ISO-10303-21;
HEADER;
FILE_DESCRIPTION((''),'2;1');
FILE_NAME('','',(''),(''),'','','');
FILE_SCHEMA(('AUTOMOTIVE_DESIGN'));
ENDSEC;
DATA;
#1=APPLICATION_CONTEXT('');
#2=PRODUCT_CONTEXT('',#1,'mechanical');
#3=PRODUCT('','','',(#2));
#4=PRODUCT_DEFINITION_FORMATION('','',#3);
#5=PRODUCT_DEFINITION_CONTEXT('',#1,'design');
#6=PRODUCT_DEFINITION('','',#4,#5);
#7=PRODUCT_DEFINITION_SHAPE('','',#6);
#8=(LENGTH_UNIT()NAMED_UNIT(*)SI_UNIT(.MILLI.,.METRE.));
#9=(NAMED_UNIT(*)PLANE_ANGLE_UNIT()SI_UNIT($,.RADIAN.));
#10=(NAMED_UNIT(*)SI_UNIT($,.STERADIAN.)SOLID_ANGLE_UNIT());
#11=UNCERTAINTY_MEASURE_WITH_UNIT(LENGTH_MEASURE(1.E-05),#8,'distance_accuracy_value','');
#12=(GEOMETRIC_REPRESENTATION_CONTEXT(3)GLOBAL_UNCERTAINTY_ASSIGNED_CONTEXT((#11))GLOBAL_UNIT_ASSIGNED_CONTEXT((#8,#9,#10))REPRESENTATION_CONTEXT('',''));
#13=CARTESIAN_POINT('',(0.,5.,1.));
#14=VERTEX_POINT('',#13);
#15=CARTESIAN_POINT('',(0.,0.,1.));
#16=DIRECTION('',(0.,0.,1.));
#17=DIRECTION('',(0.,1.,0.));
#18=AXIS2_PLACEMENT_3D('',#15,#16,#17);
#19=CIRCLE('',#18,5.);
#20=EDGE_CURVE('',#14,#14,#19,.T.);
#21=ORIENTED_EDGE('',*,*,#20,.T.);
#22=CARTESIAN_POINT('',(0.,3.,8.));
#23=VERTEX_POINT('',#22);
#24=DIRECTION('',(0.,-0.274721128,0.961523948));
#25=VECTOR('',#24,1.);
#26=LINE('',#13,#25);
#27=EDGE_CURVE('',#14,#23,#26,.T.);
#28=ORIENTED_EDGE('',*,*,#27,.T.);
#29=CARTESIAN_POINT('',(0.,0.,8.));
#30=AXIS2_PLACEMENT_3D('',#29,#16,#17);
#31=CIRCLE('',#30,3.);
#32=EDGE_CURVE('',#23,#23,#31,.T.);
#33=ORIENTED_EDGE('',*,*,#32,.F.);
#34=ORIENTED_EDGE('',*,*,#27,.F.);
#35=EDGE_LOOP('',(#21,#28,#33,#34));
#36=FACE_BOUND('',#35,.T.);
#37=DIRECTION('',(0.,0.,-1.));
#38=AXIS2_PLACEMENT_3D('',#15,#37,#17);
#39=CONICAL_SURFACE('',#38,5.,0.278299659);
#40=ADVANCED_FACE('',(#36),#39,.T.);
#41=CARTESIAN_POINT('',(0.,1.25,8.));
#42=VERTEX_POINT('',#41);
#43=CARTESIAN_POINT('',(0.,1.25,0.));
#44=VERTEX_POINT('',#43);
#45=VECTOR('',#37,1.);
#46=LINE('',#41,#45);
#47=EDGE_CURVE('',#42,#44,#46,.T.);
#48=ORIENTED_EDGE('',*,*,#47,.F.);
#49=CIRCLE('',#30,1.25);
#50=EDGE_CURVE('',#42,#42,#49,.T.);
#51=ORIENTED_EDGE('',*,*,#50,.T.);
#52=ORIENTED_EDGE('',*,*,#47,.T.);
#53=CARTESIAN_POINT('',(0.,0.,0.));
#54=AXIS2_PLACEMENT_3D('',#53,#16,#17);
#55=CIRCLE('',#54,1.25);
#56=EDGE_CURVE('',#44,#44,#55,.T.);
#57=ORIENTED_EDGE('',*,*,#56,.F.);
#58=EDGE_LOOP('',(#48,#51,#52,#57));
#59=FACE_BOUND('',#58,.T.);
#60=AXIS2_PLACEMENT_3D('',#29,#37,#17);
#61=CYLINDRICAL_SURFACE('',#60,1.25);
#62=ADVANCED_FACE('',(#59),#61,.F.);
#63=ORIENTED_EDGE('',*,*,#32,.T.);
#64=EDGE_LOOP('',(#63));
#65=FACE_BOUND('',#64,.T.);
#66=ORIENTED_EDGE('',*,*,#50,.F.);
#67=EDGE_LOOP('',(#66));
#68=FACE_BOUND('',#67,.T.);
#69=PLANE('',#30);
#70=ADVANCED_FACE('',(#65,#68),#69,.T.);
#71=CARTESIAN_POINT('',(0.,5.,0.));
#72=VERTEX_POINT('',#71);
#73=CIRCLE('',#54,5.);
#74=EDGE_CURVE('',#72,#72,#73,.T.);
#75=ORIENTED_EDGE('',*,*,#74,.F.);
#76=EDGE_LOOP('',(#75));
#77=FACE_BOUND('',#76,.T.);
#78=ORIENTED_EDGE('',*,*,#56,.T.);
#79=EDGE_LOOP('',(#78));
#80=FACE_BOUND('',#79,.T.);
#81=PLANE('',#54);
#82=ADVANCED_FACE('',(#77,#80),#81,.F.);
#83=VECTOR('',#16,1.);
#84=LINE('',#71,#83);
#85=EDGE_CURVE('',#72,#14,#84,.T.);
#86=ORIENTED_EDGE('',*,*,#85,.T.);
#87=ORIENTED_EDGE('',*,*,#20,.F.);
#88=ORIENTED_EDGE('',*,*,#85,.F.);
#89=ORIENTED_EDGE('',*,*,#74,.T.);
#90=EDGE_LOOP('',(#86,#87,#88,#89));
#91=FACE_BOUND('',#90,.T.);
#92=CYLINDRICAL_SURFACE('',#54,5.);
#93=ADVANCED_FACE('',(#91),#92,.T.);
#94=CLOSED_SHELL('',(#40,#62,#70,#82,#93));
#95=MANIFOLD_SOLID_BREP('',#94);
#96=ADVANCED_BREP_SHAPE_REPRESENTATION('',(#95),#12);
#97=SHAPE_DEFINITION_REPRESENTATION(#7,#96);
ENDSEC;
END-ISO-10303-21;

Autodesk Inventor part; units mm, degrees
ref_plane "YZ Plane" through (0, 0, 0) normal (1, 0, 0) x (0, 1, 0)
ref_plane "XZ Plane" through (0, 0, 0) normal (0, 1, 0) x (-1, 0, 0)
ref_plane "XY Plane" through (0, 0, 0) normal (0, 0, 1) x (1, 0, 0)
sketch "スケッチ1" plane through (0, 0, 0) normal (1, 0, 0) x (0, 1, 0)
  line L0 (1.25, 8) -> (1.25, 0)
  line L1 (1.25, 0) -> (5, 0)
  line L2 (5, 0) -> (5, 1)
  line L3 (5, 1) -> (3, 8)
  line L4 (3, 8) -> (1.25, 8)
  line L5 (0, -1.6) -> (0, 9.6) projected
  line L6 (4, 0) -> (1.25, 0.2)
  point P0 (0, 0)
  dimension "d0" = 8
  dimension "d1" = 1
  dimension "d3" = 1.25
  dimension "d4" = 5
  dimension "d6" = 3
  dimension "d7" = 1
  dimension "d8" = 0.2
revolve "回転1" add sketch "スケッチ1" angle 360 about axis through (0, 0, -10) along (0, 0, 1)
properties part number "spacer"
